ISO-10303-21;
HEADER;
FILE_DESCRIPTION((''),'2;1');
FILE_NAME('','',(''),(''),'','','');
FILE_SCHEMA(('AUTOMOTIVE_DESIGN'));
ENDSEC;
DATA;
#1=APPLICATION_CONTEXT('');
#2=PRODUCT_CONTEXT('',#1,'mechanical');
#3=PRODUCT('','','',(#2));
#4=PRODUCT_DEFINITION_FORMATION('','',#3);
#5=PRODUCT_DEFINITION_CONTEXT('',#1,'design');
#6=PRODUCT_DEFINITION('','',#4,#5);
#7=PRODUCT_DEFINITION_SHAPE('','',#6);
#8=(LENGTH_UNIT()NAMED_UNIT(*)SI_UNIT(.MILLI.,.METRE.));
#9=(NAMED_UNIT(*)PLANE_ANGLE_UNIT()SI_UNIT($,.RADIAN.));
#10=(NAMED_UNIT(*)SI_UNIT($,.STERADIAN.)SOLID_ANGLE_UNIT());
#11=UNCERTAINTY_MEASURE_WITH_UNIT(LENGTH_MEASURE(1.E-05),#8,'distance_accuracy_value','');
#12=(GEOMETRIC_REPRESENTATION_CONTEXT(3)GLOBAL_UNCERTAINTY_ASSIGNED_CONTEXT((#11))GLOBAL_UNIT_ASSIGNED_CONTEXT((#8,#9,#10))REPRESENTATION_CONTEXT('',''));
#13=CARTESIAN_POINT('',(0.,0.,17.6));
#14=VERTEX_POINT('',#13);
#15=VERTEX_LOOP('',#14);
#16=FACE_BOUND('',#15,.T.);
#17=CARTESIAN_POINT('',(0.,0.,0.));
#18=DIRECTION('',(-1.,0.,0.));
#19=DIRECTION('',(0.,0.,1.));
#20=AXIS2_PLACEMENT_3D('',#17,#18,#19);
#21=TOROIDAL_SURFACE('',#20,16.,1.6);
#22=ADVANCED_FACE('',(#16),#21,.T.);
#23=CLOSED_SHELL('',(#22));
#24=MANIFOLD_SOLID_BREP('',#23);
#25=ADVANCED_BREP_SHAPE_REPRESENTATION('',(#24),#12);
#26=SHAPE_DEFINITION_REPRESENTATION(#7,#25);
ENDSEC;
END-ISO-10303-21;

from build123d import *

# Parameters (mm, degrees)
ESQUISSE1_R = 1.6


with BuildPart() as part:
    # Esquisse1 → Révolution1 (revolve)
    with BuildSketch(Plane.XY, mode=Mode.PRIVATE) as r_volution1_sk:
        with Locations((0, 16)):
            Circle(ESQUISSE1_R)
    revolve(r_volution1_sk.sketch.rotate(Axis((-25.855836454, 0, 0), (1, 0, 0)), 90), axis=Axis((-25.855836454, 0, 0), (1, 0, 0)))


solid = part.part
